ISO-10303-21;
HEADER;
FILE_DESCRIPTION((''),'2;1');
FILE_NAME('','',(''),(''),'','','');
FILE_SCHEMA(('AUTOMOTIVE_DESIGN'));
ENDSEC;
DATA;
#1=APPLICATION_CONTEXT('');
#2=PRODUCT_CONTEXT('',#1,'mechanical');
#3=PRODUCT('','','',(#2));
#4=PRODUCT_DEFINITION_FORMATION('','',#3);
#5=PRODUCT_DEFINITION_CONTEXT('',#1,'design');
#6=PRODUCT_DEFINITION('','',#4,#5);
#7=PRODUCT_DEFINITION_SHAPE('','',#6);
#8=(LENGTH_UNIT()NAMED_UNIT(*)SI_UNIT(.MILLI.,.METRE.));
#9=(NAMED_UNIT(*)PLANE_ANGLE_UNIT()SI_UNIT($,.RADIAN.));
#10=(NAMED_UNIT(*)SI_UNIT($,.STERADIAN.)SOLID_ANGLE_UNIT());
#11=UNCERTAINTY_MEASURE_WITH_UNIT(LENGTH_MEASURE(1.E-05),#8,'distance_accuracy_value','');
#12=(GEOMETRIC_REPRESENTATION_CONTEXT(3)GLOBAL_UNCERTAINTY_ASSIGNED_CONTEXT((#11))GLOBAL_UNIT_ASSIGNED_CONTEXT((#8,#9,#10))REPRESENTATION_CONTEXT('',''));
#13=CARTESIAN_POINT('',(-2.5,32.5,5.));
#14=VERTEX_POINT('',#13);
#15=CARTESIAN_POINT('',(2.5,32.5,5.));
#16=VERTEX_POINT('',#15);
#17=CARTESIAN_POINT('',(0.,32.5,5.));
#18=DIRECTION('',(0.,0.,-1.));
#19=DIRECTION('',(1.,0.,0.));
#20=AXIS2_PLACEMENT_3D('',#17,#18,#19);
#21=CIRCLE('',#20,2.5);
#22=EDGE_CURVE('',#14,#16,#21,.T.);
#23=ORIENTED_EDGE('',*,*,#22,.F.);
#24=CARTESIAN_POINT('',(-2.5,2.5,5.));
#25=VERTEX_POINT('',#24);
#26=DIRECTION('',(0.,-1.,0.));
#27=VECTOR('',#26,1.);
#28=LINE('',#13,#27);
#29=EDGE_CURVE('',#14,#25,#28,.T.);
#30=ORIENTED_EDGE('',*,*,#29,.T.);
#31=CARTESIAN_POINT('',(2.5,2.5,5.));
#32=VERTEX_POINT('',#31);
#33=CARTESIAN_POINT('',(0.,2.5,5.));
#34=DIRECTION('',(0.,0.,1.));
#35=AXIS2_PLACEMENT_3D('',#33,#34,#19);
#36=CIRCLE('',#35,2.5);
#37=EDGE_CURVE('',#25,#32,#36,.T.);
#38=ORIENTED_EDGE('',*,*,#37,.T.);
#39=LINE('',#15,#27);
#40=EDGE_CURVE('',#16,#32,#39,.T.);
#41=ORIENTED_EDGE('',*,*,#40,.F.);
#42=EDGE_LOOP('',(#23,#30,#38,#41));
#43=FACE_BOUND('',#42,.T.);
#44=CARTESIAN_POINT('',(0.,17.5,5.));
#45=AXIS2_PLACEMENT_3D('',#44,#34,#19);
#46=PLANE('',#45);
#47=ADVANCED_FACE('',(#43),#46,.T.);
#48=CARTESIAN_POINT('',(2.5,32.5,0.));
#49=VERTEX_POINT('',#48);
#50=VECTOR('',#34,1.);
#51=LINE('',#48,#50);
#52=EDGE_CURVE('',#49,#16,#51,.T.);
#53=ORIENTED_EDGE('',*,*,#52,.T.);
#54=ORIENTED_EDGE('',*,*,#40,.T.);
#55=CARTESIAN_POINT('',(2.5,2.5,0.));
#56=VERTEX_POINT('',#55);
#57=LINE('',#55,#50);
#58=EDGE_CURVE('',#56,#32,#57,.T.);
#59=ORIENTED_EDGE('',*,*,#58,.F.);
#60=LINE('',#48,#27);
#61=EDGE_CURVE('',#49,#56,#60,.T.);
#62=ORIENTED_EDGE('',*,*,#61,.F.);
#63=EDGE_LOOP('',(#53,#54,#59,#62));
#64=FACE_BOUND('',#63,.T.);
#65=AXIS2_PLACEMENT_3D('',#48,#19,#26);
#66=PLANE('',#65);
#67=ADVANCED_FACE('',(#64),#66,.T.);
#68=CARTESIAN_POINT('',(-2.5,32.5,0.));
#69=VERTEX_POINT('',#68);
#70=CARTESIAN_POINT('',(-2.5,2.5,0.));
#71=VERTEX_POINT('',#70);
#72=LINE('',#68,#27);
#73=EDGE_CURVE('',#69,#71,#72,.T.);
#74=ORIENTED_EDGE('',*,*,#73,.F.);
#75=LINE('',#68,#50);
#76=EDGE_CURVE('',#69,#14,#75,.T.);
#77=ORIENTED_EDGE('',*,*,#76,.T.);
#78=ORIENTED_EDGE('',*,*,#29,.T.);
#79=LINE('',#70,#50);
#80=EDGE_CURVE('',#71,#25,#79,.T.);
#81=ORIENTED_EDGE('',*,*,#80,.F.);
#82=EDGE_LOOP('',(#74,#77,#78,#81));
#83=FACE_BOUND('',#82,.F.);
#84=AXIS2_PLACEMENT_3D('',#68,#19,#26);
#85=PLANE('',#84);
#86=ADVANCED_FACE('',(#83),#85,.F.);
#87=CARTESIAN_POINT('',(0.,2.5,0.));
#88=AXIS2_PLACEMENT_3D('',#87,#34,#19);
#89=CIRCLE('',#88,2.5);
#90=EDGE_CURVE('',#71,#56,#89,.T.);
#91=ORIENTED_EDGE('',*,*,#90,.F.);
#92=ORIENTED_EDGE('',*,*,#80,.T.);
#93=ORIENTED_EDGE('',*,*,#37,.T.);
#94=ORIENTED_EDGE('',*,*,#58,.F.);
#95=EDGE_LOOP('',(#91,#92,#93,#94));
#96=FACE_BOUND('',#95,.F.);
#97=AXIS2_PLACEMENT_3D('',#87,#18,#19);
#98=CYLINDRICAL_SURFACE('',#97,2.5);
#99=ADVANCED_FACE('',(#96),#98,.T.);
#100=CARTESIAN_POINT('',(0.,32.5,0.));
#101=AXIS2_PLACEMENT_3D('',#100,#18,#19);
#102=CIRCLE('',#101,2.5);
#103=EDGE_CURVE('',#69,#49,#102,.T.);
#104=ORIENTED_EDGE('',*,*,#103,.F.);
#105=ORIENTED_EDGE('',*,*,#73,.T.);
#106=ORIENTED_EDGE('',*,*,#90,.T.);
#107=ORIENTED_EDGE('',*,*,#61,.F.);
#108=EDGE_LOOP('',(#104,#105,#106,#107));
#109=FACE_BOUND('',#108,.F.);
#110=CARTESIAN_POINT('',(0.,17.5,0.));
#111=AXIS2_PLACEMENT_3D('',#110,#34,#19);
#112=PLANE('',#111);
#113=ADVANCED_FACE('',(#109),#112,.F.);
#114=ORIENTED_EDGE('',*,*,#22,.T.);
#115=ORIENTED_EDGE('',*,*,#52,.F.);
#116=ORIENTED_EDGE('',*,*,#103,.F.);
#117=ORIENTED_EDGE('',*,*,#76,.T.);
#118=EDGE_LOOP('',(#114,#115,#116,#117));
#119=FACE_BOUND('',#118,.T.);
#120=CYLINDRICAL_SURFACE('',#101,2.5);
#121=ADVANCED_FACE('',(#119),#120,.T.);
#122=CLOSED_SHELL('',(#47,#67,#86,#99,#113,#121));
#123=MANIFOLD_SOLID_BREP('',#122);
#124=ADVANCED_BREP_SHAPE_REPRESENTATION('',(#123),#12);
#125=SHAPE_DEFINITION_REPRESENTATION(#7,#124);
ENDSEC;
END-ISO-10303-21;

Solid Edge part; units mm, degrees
sketch "Sketch1" plane through (0, 0, 0) normal (0, 0, 1) x (1, 0, 0)
  line L0 (-2.5, 32.5) -> (-2.5, 2.5)
  arc A0 (-2.5, 2.5) -> (2.5, 2.5) centre (0, 2.5) ccw
  line L1 (2.5, 32.5) -> (2.5, 2.5)
  arc A1 (-2.5, 32.5) -> (2.5, 32.5) centre (0, 32.5) cw
  dimension "D1" = 5
  dimension "D2" = 35
extrude "Protrusion1" add sketch "Sketch1" along normal blind 5
properties material "Steel"
